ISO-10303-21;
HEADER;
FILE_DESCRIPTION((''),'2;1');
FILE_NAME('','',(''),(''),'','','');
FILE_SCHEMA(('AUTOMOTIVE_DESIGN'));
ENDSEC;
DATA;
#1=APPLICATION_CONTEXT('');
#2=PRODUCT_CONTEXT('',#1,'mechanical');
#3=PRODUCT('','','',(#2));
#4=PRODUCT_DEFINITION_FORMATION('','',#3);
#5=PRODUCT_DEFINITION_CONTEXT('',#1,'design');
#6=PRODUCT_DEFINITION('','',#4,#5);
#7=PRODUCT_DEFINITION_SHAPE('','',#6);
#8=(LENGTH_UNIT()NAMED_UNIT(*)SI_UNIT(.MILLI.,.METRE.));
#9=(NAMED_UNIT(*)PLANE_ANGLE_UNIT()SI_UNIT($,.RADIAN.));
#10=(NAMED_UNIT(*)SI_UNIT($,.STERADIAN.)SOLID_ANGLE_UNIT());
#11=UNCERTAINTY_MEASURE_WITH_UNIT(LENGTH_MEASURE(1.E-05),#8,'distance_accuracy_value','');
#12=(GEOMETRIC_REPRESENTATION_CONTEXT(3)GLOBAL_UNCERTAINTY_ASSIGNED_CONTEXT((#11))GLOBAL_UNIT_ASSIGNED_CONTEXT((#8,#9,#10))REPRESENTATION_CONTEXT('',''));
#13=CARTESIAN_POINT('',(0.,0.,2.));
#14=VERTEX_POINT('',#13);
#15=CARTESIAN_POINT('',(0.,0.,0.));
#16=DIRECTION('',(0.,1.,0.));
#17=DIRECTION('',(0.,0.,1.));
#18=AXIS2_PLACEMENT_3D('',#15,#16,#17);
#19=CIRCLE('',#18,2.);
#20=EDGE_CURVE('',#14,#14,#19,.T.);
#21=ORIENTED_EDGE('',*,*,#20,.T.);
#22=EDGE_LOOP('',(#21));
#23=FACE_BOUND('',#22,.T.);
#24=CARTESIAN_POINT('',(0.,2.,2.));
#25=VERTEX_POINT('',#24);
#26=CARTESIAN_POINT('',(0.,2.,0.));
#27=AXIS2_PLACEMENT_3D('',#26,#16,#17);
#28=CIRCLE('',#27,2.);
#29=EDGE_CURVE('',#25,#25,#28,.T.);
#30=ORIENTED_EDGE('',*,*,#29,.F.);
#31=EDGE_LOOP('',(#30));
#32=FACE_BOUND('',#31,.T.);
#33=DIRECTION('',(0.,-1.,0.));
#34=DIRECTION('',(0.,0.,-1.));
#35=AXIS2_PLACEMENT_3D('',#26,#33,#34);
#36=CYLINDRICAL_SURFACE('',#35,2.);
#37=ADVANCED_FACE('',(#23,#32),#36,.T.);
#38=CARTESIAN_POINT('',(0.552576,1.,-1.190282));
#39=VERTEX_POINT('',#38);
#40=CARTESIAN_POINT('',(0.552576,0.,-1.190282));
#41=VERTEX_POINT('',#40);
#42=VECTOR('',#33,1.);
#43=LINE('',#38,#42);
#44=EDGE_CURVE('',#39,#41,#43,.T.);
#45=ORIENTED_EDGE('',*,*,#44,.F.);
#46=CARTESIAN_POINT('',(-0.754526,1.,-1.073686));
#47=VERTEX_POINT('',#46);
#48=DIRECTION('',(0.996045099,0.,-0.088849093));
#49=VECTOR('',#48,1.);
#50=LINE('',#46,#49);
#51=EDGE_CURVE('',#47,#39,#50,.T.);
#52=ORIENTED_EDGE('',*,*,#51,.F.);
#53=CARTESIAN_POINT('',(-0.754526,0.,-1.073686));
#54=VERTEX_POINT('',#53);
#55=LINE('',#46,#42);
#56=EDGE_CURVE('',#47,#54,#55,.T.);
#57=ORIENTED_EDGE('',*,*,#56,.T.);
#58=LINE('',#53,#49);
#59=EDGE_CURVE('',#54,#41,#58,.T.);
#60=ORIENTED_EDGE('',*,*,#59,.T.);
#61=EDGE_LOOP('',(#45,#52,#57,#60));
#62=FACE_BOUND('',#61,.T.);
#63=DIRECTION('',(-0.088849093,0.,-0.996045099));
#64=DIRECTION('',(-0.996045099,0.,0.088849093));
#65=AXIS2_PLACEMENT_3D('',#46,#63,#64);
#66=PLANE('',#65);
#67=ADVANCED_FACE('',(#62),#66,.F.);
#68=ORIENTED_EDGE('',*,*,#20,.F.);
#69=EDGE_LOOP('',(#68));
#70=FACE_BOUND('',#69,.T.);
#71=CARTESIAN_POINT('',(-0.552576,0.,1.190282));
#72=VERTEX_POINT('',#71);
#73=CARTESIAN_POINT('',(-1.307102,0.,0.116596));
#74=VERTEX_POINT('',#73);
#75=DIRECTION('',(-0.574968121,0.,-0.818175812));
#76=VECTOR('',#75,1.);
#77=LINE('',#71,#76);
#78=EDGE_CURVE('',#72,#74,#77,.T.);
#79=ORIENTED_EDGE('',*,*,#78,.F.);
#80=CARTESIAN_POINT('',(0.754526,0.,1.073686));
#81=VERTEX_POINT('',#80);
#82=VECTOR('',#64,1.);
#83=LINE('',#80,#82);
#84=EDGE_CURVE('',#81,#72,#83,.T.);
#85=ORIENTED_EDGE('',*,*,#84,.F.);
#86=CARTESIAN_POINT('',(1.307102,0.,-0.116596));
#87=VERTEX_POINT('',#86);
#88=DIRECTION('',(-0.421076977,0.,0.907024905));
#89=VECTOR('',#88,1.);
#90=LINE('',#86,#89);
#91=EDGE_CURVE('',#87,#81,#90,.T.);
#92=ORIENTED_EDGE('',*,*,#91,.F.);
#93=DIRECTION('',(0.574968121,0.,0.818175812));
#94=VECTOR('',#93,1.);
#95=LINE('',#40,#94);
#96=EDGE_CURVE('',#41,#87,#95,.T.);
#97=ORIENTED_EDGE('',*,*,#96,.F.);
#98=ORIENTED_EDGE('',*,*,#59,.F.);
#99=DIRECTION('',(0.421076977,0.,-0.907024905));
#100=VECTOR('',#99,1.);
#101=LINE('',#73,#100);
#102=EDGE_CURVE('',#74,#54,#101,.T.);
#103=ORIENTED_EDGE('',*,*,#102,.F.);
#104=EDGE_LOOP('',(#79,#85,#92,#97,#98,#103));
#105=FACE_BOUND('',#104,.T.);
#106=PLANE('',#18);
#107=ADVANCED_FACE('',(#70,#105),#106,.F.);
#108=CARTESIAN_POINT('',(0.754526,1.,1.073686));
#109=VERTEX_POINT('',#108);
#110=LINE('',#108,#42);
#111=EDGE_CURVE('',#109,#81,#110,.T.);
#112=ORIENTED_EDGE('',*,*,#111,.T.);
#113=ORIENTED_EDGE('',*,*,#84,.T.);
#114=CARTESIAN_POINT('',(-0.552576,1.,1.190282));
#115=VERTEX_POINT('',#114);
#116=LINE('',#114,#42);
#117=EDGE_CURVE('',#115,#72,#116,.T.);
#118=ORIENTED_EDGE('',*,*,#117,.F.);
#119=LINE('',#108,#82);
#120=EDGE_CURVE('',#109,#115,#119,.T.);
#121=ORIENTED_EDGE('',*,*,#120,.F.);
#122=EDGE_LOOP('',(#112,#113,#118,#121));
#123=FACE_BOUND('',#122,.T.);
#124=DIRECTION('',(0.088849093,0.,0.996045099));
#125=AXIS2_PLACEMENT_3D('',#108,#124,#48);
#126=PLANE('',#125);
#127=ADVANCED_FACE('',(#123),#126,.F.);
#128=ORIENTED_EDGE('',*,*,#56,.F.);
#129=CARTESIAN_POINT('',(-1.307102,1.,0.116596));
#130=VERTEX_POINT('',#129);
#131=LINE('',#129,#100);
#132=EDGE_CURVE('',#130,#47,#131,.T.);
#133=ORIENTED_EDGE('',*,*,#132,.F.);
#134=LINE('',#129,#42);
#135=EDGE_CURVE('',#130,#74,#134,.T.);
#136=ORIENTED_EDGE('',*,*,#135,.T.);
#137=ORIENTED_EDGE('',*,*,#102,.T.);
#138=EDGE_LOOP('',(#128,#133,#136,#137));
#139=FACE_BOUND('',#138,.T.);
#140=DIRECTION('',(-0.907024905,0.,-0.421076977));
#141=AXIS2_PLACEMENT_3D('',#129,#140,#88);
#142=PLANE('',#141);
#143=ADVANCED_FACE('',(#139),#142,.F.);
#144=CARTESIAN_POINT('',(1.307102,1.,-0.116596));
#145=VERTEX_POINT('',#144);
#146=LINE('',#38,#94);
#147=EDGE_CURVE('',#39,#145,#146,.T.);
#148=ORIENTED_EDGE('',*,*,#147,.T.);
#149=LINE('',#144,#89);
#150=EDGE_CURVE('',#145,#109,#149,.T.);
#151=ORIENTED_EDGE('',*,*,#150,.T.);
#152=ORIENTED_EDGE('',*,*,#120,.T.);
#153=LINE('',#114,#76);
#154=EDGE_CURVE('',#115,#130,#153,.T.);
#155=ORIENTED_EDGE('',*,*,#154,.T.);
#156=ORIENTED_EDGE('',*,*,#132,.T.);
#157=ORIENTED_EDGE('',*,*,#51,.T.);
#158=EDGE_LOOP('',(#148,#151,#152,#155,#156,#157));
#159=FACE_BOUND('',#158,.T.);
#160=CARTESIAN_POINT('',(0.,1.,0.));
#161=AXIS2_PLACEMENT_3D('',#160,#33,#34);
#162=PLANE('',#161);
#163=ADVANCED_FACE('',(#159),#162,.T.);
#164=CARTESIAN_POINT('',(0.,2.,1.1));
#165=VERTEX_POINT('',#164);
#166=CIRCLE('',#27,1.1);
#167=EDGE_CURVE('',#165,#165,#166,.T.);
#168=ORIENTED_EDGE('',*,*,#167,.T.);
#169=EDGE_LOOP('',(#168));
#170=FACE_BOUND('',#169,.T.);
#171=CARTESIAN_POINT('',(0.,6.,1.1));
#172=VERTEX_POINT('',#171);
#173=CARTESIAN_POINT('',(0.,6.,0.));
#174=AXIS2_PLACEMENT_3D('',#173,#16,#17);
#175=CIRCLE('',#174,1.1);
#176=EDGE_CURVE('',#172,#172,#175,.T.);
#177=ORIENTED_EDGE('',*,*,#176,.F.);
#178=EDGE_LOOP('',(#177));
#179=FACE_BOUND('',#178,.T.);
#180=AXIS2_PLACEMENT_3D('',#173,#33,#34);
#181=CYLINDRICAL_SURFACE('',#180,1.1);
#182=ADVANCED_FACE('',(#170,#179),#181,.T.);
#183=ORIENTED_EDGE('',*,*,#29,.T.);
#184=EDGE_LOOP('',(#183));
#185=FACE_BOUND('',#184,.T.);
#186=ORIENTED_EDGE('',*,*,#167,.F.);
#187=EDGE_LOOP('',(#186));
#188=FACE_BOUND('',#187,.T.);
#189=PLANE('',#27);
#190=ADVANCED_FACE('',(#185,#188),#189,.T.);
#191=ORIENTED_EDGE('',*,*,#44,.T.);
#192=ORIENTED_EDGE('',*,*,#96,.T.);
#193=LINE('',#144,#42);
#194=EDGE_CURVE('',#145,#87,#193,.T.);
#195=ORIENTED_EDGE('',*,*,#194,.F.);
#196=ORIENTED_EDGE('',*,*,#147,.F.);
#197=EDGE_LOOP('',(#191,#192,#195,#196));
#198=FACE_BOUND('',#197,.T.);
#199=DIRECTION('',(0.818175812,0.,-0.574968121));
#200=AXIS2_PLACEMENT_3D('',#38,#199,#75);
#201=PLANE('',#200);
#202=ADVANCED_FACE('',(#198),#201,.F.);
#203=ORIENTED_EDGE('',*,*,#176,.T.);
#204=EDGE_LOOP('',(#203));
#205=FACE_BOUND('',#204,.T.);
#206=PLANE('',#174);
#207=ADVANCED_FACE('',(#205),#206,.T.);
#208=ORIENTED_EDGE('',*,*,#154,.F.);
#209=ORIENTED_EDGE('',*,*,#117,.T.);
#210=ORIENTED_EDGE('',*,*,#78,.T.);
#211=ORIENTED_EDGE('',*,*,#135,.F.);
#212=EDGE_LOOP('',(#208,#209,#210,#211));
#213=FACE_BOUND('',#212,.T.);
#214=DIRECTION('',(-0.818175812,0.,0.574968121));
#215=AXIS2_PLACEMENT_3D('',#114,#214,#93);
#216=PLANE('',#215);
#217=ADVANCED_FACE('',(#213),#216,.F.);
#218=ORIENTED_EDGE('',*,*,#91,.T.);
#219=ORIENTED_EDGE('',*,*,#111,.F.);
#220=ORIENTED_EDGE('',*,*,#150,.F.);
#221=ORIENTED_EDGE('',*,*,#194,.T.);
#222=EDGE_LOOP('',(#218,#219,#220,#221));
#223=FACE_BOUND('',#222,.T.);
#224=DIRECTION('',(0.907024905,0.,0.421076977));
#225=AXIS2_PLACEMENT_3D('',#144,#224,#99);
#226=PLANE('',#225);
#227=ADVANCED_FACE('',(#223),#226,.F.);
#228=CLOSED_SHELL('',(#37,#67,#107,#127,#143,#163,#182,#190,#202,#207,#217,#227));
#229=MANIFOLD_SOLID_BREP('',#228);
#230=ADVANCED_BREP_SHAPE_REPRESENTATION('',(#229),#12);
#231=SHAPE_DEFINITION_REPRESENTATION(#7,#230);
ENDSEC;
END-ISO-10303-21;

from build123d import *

# Parameters (mm, degrees)
SKETCH1_R           = 2
BOSS_EXTRUDE1_DEPTH = 2
CUT_EXTRUDE1_DEPTH  = 1
SKETCH3_R           = 1.1
BOSS_EXTRUDE2_DEPTH = 4


with BuildPart() as part:
    # Sketch1 → Boss-Extrude1 (new body)
    with BuildSketch(Plane(origin=(0, 0, 0), x_dir=(1, 0, 0), z_dir=(0, 1, 0))):
        with Locations(Location((0, 0, 0), (0, 0, 270))):
            Circle(SKETCH1_R)
    extrude(amount=BOSS_EXTRUDE1_DEPTH)

    # Sketch2 → Cut-Extrude1 (cut)
    with BuildSketch(Plane.XZ):
        Polygon((1.30710226, -0.116595976), (0.754526207, 1.073685774), (-0.552576053, 1.190281751), (-1.30710226, 0.116595976), (-0.754526207, -1.073685774), (0.552576053, -1.190281751), align=None)
    extrude(amount=-CUT_EXTRUDE1_DEPTH, mode=Mode.SUBTRACT)

    # Sketch3 → Boss-Extrude2 (add)
    with BuildSketch(Plane(origin=(0, 2, 0), x_dir=(1, 0, 0), z_dir=(0, 1, 0))):
        with Locations(Location((0, 0, 0), (0, 0, 270))):
            Circle(SKETCH3_R)
    extrude(amount=BOSS_EXTRUDE2_DEPTH)


solid = part.part
